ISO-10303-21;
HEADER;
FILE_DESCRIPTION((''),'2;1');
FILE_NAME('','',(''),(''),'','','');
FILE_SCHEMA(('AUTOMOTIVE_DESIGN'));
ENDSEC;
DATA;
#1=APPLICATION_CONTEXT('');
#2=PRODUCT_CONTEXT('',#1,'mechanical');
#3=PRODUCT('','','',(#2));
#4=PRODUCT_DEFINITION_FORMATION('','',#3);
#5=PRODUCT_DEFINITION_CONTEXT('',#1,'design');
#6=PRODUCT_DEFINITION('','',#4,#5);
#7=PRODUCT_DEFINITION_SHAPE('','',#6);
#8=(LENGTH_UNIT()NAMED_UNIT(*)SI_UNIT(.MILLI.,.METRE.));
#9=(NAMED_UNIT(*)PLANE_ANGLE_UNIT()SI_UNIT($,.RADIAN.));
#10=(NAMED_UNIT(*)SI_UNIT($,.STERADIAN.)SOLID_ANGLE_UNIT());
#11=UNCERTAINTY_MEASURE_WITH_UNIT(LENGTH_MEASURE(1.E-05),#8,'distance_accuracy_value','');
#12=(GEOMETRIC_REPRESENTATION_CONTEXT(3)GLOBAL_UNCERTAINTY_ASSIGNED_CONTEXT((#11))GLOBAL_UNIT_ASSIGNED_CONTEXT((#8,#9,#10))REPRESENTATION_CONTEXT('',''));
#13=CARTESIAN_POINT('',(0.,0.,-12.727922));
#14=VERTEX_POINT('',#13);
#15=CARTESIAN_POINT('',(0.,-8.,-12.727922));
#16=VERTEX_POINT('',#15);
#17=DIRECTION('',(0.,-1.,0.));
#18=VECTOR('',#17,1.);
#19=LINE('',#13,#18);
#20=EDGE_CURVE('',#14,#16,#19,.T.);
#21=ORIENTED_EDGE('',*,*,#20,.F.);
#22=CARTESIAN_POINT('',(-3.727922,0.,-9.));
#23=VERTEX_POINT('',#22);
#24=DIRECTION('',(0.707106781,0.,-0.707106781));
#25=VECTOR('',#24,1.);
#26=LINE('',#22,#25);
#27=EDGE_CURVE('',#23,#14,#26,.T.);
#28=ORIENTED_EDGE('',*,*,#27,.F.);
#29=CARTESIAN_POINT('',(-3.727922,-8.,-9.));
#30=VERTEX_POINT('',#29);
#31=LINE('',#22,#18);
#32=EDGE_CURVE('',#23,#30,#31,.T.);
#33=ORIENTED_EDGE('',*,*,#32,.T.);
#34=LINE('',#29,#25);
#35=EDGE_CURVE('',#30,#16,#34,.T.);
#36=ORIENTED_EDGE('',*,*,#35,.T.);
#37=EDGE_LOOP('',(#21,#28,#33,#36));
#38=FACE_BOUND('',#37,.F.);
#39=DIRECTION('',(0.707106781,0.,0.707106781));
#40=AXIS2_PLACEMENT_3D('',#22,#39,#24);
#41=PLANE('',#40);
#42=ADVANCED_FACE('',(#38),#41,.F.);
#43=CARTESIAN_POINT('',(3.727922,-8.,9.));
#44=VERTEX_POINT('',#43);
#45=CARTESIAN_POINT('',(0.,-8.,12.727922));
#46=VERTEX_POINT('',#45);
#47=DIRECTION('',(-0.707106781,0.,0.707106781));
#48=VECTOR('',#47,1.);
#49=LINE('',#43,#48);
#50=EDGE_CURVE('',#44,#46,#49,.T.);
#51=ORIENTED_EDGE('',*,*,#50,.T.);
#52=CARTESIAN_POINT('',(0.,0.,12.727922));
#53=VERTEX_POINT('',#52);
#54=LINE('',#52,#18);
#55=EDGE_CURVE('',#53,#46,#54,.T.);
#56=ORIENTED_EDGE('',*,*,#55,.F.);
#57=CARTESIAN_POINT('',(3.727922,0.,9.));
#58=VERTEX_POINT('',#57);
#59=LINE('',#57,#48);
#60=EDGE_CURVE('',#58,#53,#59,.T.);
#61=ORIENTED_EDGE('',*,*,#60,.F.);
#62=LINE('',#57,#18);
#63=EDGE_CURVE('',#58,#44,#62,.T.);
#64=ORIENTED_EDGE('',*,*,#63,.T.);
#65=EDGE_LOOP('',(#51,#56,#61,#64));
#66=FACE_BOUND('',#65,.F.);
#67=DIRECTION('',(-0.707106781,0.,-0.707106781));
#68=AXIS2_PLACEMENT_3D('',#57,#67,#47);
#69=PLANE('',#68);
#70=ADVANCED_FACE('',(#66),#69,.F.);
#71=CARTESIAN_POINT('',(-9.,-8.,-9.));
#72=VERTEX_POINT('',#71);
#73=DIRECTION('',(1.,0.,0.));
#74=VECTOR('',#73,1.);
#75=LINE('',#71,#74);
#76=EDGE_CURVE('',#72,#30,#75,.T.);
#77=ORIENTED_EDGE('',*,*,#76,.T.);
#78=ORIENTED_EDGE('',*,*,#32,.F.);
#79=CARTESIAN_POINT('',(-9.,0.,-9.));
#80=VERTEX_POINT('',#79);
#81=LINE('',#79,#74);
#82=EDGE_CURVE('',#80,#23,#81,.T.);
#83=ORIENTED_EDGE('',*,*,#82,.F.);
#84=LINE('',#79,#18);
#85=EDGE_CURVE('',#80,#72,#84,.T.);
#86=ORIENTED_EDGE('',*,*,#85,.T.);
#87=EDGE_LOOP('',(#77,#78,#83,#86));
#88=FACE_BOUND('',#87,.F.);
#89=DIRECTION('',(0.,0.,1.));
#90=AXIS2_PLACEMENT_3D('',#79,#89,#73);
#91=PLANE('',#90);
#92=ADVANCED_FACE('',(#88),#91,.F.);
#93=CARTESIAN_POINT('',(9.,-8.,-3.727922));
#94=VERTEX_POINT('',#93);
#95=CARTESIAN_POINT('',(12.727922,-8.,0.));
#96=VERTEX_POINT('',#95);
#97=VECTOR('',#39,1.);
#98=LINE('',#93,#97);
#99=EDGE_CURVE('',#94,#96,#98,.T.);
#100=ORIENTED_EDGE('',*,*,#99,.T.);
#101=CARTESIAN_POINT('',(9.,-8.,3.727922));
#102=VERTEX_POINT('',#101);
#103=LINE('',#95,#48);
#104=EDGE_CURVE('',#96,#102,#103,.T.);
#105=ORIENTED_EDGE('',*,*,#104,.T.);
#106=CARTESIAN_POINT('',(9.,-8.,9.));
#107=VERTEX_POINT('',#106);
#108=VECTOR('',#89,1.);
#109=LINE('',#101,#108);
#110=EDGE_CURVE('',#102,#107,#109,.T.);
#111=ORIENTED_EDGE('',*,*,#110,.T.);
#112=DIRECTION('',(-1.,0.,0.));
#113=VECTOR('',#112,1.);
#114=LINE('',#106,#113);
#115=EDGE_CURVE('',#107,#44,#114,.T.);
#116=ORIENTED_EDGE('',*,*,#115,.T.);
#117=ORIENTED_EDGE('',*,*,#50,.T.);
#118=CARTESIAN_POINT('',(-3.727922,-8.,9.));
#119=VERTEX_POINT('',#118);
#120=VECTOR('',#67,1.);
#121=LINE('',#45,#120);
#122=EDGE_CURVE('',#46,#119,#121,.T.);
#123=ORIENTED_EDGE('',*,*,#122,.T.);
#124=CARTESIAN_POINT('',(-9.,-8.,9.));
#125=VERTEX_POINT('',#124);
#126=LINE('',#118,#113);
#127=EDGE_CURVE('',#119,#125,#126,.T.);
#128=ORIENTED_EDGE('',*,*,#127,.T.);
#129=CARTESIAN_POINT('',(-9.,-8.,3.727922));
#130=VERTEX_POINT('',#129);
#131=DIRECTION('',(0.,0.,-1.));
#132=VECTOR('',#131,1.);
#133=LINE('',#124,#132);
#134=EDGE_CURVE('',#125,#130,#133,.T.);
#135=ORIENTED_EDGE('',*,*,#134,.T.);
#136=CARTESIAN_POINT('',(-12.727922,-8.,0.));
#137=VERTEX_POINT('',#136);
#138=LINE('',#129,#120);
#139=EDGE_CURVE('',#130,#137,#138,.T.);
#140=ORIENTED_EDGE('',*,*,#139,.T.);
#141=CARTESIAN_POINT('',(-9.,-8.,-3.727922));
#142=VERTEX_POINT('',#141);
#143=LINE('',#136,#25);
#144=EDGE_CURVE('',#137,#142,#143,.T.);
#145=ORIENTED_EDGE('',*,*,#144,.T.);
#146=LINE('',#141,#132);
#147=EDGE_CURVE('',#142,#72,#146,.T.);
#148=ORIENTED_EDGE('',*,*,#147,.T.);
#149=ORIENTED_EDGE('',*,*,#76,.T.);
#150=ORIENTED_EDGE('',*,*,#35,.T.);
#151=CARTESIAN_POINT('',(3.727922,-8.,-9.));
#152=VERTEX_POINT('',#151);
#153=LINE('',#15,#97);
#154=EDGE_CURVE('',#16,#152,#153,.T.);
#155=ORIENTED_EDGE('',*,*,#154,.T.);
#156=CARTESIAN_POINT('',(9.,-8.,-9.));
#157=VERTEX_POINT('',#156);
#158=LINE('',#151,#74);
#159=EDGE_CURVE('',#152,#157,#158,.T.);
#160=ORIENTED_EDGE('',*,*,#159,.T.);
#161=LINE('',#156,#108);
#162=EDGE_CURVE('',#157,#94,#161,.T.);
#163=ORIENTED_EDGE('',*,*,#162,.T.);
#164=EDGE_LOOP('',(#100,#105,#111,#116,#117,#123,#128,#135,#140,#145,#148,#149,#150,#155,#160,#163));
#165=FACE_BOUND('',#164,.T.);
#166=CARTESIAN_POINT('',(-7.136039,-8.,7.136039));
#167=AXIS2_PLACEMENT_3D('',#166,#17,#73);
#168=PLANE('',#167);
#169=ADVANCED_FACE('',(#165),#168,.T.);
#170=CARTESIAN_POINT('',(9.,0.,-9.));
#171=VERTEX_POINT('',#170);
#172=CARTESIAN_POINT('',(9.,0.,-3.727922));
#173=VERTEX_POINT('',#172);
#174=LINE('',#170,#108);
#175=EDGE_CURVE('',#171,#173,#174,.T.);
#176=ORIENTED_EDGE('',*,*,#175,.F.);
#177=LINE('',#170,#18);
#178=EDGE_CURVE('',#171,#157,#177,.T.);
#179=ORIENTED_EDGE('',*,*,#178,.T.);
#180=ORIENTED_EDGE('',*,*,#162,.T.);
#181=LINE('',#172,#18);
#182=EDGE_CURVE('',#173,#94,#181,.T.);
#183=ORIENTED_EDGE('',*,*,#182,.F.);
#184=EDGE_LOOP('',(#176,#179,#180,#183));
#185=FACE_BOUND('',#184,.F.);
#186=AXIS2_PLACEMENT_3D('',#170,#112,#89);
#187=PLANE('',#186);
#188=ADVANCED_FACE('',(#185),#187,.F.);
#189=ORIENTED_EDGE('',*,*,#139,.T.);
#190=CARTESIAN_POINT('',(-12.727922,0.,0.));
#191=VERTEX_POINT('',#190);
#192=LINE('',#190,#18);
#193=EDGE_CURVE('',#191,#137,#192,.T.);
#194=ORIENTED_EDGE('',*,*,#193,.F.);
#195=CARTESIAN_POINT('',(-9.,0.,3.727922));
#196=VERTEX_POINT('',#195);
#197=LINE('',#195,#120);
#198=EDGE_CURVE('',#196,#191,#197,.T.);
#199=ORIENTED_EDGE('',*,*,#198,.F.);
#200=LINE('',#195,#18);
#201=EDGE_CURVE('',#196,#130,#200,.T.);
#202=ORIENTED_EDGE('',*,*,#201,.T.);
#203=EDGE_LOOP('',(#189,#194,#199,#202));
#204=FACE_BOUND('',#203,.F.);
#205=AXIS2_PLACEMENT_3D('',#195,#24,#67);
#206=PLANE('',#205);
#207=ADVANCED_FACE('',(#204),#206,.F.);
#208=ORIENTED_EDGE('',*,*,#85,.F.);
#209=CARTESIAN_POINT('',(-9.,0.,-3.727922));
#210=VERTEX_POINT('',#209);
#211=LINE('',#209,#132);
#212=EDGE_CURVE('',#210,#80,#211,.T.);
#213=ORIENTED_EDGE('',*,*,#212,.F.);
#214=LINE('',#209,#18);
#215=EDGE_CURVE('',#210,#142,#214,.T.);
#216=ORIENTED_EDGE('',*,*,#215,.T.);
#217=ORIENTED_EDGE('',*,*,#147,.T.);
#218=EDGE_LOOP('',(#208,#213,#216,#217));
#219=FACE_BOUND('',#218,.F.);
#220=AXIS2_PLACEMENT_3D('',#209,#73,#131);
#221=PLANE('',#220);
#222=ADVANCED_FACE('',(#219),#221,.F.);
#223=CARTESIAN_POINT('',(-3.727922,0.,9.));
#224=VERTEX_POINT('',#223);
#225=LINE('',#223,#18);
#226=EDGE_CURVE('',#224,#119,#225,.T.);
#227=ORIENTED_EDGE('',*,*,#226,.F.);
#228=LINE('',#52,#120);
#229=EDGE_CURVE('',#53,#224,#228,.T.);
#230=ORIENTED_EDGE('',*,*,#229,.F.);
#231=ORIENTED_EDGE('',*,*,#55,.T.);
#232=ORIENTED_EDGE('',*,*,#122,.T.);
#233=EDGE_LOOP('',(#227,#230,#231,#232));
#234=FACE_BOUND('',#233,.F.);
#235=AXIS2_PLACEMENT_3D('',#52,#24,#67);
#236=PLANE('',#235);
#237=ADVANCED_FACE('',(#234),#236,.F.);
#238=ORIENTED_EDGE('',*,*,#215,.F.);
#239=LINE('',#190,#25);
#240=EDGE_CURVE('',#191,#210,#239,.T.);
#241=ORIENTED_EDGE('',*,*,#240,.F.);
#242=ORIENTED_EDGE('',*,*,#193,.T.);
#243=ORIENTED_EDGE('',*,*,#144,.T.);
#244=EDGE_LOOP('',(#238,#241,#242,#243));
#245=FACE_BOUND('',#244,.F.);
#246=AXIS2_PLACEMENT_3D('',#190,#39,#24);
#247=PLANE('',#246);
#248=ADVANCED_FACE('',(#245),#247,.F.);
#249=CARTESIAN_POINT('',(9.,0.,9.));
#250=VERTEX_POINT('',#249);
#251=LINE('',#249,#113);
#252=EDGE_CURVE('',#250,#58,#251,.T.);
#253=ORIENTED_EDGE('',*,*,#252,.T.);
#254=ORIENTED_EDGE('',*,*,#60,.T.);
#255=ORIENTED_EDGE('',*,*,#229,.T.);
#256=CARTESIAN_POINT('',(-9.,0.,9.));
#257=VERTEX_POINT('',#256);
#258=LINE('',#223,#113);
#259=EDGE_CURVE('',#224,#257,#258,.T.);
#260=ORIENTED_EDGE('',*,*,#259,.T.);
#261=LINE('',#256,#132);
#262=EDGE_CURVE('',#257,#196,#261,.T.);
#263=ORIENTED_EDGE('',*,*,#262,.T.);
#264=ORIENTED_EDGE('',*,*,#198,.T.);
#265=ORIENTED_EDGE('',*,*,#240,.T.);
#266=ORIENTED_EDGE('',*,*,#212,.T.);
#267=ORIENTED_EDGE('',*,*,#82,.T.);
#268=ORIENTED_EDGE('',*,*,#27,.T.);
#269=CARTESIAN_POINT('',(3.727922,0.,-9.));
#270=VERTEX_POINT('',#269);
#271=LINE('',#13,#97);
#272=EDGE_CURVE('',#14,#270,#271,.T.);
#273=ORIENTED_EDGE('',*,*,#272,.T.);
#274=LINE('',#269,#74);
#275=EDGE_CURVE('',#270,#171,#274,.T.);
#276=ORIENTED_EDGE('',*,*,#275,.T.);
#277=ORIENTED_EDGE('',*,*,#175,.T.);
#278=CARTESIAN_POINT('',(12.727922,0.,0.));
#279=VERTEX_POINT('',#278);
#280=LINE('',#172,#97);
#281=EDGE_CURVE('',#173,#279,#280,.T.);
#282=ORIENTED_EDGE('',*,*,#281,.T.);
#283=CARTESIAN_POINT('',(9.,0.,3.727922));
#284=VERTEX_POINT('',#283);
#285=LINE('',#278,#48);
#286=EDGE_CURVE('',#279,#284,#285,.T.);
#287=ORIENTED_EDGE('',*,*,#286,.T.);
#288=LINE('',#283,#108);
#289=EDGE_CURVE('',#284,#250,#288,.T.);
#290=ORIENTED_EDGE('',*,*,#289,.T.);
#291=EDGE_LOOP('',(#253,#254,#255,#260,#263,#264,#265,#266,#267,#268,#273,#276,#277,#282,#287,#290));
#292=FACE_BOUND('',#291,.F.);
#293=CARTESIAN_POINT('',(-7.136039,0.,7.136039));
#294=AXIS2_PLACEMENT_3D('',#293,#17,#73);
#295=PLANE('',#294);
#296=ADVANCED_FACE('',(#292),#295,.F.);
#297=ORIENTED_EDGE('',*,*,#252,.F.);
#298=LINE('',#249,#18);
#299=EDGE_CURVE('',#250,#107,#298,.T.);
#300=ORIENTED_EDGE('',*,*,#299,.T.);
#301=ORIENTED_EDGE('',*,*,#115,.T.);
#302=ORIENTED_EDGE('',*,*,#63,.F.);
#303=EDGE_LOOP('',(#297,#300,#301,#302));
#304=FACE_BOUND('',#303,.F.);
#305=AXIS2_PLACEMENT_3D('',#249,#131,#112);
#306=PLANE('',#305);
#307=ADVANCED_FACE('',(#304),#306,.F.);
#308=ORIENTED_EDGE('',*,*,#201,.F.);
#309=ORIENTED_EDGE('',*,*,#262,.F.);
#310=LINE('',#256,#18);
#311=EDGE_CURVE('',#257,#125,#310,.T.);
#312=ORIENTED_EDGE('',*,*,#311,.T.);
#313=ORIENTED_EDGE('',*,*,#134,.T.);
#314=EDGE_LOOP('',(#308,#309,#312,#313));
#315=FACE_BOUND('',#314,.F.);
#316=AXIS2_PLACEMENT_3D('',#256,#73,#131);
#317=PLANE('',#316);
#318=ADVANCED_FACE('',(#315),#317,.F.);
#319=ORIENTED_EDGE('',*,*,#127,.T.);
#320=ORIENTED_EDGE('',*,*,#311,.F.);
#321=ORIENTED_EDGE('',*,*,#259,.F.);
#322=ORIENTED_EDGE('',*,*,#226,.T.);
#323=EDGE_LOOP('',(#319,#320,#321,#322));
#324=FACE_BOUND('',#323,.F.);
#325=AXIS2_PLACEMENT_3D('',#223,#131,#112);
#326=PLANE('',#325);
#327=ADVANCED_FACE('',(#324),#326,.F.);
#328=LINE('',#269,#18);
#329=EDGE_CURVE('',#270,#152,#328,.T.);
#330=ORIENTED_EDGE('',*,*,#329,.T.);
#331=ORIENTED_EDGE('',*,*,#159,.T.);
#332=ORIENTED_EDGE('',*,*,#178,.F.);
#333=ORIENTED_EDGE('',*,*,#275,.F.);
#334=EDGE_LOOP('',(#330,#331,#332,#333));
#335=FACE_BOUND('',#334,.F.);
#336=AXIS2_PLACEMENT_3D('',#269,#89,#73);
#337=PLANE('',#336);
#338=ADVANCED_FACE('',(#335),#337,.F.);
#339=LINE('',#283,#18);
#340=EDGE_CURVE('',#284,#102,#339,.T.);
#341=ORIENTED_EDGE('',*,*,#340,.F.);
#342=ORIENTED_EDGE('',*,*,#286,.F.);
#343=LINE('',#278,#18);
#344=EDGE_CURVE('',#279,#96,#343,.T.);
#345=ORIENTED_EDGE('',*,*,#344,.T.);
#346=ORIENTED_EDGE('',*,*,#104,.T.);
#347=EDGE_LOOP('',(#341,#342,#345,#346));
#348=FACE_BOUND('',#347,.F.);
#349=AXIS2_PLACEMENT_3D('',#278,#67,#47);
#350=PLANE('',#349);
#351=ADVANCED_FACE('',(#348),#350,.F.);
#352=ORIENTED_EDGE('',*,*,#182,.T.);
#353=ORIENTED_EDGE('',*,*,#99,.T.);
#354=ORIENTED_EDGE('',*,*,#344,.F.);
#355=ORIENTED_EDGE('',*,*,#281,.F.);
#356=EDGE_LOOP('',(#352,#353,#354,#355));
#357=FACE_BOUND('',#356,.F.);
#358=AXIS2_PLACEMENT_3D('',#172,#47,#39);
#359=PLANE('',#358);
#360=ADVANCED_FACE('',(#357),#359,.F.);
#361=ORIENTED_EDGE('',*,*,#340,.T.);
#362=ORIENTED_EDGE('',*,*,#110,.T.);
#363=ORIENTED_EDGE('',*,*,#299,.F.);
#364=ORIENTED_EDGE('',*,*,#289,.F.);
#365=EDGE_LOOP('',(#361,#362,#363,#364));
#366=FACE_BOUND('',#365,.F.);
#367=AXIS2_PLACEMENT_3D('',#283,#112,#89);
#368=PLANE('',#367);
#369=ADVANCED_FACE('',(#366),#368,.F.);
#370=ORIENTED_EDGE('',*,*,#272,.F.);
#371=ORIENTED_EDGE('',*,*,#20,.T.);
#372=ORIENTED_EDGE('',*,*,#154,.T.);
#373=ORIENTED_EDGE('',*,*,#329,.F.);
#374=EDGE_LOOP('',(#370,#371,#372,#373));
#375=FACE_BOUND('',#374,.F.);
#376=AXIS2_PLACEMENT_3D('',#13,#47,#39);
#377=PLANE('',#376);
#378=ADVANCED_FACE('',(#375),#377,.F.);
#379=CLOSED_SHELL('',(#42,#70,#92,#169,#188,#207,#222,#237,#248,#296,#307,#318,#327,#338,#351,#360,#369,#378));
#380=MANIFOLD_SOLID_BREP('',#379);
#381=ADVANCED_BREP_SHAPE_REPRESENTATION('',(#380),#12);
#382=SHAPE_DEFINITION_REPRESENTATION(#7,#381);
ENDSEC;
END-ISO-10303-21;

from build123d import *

# Parameters (mm, degrees)
F2_DEPTH = 8


with BuildPart() as f2:
    # F1 (on face) → F2 (new body)
    with BuildSketch(Plane.XZ):
        Polygon((-9, 3.7279220614), (-3.7279220614, 9), (-9, 9), align=None)
        Polygon((9, 3.7279220614), (9, 9), (3.7279220614, 9), align=None)
        Polygon((-3.7279220614, 9), (3.7279220614, 9), (0, 12.7279220614), align=None)
        Polygon((-9, -3.7279220614), (-9, 3.7279220614), (-12.7279220614, 0), align=None)
        Polygon((-3.7279220614, -9), (-9, -3.7279220614), (-9, -9), align=None)
        Polygon((0, -12.7279220614), (3.7279220614, -9), (-3.7279220614, -9), align=None)
        Polygon((9, -9), (9, -3.7279220614), (3.7279220614, -9), align=None)
        Polygon((12.7279220614, 0), (9, 3.7279220614), (9, -3.7279220614), align=None)
        Polygon((9, 3.7279220614), (3.7279220614, 9), (-3.7279220614, 9), (-9, 3.7279220614), (-9, -3.7279220614), (-3.7279220614, -9), (3.7279220614, -9), (9, -3.7279220614), align=None)
    extrude(amount=F2_DEPTH)


solid = f2.part
